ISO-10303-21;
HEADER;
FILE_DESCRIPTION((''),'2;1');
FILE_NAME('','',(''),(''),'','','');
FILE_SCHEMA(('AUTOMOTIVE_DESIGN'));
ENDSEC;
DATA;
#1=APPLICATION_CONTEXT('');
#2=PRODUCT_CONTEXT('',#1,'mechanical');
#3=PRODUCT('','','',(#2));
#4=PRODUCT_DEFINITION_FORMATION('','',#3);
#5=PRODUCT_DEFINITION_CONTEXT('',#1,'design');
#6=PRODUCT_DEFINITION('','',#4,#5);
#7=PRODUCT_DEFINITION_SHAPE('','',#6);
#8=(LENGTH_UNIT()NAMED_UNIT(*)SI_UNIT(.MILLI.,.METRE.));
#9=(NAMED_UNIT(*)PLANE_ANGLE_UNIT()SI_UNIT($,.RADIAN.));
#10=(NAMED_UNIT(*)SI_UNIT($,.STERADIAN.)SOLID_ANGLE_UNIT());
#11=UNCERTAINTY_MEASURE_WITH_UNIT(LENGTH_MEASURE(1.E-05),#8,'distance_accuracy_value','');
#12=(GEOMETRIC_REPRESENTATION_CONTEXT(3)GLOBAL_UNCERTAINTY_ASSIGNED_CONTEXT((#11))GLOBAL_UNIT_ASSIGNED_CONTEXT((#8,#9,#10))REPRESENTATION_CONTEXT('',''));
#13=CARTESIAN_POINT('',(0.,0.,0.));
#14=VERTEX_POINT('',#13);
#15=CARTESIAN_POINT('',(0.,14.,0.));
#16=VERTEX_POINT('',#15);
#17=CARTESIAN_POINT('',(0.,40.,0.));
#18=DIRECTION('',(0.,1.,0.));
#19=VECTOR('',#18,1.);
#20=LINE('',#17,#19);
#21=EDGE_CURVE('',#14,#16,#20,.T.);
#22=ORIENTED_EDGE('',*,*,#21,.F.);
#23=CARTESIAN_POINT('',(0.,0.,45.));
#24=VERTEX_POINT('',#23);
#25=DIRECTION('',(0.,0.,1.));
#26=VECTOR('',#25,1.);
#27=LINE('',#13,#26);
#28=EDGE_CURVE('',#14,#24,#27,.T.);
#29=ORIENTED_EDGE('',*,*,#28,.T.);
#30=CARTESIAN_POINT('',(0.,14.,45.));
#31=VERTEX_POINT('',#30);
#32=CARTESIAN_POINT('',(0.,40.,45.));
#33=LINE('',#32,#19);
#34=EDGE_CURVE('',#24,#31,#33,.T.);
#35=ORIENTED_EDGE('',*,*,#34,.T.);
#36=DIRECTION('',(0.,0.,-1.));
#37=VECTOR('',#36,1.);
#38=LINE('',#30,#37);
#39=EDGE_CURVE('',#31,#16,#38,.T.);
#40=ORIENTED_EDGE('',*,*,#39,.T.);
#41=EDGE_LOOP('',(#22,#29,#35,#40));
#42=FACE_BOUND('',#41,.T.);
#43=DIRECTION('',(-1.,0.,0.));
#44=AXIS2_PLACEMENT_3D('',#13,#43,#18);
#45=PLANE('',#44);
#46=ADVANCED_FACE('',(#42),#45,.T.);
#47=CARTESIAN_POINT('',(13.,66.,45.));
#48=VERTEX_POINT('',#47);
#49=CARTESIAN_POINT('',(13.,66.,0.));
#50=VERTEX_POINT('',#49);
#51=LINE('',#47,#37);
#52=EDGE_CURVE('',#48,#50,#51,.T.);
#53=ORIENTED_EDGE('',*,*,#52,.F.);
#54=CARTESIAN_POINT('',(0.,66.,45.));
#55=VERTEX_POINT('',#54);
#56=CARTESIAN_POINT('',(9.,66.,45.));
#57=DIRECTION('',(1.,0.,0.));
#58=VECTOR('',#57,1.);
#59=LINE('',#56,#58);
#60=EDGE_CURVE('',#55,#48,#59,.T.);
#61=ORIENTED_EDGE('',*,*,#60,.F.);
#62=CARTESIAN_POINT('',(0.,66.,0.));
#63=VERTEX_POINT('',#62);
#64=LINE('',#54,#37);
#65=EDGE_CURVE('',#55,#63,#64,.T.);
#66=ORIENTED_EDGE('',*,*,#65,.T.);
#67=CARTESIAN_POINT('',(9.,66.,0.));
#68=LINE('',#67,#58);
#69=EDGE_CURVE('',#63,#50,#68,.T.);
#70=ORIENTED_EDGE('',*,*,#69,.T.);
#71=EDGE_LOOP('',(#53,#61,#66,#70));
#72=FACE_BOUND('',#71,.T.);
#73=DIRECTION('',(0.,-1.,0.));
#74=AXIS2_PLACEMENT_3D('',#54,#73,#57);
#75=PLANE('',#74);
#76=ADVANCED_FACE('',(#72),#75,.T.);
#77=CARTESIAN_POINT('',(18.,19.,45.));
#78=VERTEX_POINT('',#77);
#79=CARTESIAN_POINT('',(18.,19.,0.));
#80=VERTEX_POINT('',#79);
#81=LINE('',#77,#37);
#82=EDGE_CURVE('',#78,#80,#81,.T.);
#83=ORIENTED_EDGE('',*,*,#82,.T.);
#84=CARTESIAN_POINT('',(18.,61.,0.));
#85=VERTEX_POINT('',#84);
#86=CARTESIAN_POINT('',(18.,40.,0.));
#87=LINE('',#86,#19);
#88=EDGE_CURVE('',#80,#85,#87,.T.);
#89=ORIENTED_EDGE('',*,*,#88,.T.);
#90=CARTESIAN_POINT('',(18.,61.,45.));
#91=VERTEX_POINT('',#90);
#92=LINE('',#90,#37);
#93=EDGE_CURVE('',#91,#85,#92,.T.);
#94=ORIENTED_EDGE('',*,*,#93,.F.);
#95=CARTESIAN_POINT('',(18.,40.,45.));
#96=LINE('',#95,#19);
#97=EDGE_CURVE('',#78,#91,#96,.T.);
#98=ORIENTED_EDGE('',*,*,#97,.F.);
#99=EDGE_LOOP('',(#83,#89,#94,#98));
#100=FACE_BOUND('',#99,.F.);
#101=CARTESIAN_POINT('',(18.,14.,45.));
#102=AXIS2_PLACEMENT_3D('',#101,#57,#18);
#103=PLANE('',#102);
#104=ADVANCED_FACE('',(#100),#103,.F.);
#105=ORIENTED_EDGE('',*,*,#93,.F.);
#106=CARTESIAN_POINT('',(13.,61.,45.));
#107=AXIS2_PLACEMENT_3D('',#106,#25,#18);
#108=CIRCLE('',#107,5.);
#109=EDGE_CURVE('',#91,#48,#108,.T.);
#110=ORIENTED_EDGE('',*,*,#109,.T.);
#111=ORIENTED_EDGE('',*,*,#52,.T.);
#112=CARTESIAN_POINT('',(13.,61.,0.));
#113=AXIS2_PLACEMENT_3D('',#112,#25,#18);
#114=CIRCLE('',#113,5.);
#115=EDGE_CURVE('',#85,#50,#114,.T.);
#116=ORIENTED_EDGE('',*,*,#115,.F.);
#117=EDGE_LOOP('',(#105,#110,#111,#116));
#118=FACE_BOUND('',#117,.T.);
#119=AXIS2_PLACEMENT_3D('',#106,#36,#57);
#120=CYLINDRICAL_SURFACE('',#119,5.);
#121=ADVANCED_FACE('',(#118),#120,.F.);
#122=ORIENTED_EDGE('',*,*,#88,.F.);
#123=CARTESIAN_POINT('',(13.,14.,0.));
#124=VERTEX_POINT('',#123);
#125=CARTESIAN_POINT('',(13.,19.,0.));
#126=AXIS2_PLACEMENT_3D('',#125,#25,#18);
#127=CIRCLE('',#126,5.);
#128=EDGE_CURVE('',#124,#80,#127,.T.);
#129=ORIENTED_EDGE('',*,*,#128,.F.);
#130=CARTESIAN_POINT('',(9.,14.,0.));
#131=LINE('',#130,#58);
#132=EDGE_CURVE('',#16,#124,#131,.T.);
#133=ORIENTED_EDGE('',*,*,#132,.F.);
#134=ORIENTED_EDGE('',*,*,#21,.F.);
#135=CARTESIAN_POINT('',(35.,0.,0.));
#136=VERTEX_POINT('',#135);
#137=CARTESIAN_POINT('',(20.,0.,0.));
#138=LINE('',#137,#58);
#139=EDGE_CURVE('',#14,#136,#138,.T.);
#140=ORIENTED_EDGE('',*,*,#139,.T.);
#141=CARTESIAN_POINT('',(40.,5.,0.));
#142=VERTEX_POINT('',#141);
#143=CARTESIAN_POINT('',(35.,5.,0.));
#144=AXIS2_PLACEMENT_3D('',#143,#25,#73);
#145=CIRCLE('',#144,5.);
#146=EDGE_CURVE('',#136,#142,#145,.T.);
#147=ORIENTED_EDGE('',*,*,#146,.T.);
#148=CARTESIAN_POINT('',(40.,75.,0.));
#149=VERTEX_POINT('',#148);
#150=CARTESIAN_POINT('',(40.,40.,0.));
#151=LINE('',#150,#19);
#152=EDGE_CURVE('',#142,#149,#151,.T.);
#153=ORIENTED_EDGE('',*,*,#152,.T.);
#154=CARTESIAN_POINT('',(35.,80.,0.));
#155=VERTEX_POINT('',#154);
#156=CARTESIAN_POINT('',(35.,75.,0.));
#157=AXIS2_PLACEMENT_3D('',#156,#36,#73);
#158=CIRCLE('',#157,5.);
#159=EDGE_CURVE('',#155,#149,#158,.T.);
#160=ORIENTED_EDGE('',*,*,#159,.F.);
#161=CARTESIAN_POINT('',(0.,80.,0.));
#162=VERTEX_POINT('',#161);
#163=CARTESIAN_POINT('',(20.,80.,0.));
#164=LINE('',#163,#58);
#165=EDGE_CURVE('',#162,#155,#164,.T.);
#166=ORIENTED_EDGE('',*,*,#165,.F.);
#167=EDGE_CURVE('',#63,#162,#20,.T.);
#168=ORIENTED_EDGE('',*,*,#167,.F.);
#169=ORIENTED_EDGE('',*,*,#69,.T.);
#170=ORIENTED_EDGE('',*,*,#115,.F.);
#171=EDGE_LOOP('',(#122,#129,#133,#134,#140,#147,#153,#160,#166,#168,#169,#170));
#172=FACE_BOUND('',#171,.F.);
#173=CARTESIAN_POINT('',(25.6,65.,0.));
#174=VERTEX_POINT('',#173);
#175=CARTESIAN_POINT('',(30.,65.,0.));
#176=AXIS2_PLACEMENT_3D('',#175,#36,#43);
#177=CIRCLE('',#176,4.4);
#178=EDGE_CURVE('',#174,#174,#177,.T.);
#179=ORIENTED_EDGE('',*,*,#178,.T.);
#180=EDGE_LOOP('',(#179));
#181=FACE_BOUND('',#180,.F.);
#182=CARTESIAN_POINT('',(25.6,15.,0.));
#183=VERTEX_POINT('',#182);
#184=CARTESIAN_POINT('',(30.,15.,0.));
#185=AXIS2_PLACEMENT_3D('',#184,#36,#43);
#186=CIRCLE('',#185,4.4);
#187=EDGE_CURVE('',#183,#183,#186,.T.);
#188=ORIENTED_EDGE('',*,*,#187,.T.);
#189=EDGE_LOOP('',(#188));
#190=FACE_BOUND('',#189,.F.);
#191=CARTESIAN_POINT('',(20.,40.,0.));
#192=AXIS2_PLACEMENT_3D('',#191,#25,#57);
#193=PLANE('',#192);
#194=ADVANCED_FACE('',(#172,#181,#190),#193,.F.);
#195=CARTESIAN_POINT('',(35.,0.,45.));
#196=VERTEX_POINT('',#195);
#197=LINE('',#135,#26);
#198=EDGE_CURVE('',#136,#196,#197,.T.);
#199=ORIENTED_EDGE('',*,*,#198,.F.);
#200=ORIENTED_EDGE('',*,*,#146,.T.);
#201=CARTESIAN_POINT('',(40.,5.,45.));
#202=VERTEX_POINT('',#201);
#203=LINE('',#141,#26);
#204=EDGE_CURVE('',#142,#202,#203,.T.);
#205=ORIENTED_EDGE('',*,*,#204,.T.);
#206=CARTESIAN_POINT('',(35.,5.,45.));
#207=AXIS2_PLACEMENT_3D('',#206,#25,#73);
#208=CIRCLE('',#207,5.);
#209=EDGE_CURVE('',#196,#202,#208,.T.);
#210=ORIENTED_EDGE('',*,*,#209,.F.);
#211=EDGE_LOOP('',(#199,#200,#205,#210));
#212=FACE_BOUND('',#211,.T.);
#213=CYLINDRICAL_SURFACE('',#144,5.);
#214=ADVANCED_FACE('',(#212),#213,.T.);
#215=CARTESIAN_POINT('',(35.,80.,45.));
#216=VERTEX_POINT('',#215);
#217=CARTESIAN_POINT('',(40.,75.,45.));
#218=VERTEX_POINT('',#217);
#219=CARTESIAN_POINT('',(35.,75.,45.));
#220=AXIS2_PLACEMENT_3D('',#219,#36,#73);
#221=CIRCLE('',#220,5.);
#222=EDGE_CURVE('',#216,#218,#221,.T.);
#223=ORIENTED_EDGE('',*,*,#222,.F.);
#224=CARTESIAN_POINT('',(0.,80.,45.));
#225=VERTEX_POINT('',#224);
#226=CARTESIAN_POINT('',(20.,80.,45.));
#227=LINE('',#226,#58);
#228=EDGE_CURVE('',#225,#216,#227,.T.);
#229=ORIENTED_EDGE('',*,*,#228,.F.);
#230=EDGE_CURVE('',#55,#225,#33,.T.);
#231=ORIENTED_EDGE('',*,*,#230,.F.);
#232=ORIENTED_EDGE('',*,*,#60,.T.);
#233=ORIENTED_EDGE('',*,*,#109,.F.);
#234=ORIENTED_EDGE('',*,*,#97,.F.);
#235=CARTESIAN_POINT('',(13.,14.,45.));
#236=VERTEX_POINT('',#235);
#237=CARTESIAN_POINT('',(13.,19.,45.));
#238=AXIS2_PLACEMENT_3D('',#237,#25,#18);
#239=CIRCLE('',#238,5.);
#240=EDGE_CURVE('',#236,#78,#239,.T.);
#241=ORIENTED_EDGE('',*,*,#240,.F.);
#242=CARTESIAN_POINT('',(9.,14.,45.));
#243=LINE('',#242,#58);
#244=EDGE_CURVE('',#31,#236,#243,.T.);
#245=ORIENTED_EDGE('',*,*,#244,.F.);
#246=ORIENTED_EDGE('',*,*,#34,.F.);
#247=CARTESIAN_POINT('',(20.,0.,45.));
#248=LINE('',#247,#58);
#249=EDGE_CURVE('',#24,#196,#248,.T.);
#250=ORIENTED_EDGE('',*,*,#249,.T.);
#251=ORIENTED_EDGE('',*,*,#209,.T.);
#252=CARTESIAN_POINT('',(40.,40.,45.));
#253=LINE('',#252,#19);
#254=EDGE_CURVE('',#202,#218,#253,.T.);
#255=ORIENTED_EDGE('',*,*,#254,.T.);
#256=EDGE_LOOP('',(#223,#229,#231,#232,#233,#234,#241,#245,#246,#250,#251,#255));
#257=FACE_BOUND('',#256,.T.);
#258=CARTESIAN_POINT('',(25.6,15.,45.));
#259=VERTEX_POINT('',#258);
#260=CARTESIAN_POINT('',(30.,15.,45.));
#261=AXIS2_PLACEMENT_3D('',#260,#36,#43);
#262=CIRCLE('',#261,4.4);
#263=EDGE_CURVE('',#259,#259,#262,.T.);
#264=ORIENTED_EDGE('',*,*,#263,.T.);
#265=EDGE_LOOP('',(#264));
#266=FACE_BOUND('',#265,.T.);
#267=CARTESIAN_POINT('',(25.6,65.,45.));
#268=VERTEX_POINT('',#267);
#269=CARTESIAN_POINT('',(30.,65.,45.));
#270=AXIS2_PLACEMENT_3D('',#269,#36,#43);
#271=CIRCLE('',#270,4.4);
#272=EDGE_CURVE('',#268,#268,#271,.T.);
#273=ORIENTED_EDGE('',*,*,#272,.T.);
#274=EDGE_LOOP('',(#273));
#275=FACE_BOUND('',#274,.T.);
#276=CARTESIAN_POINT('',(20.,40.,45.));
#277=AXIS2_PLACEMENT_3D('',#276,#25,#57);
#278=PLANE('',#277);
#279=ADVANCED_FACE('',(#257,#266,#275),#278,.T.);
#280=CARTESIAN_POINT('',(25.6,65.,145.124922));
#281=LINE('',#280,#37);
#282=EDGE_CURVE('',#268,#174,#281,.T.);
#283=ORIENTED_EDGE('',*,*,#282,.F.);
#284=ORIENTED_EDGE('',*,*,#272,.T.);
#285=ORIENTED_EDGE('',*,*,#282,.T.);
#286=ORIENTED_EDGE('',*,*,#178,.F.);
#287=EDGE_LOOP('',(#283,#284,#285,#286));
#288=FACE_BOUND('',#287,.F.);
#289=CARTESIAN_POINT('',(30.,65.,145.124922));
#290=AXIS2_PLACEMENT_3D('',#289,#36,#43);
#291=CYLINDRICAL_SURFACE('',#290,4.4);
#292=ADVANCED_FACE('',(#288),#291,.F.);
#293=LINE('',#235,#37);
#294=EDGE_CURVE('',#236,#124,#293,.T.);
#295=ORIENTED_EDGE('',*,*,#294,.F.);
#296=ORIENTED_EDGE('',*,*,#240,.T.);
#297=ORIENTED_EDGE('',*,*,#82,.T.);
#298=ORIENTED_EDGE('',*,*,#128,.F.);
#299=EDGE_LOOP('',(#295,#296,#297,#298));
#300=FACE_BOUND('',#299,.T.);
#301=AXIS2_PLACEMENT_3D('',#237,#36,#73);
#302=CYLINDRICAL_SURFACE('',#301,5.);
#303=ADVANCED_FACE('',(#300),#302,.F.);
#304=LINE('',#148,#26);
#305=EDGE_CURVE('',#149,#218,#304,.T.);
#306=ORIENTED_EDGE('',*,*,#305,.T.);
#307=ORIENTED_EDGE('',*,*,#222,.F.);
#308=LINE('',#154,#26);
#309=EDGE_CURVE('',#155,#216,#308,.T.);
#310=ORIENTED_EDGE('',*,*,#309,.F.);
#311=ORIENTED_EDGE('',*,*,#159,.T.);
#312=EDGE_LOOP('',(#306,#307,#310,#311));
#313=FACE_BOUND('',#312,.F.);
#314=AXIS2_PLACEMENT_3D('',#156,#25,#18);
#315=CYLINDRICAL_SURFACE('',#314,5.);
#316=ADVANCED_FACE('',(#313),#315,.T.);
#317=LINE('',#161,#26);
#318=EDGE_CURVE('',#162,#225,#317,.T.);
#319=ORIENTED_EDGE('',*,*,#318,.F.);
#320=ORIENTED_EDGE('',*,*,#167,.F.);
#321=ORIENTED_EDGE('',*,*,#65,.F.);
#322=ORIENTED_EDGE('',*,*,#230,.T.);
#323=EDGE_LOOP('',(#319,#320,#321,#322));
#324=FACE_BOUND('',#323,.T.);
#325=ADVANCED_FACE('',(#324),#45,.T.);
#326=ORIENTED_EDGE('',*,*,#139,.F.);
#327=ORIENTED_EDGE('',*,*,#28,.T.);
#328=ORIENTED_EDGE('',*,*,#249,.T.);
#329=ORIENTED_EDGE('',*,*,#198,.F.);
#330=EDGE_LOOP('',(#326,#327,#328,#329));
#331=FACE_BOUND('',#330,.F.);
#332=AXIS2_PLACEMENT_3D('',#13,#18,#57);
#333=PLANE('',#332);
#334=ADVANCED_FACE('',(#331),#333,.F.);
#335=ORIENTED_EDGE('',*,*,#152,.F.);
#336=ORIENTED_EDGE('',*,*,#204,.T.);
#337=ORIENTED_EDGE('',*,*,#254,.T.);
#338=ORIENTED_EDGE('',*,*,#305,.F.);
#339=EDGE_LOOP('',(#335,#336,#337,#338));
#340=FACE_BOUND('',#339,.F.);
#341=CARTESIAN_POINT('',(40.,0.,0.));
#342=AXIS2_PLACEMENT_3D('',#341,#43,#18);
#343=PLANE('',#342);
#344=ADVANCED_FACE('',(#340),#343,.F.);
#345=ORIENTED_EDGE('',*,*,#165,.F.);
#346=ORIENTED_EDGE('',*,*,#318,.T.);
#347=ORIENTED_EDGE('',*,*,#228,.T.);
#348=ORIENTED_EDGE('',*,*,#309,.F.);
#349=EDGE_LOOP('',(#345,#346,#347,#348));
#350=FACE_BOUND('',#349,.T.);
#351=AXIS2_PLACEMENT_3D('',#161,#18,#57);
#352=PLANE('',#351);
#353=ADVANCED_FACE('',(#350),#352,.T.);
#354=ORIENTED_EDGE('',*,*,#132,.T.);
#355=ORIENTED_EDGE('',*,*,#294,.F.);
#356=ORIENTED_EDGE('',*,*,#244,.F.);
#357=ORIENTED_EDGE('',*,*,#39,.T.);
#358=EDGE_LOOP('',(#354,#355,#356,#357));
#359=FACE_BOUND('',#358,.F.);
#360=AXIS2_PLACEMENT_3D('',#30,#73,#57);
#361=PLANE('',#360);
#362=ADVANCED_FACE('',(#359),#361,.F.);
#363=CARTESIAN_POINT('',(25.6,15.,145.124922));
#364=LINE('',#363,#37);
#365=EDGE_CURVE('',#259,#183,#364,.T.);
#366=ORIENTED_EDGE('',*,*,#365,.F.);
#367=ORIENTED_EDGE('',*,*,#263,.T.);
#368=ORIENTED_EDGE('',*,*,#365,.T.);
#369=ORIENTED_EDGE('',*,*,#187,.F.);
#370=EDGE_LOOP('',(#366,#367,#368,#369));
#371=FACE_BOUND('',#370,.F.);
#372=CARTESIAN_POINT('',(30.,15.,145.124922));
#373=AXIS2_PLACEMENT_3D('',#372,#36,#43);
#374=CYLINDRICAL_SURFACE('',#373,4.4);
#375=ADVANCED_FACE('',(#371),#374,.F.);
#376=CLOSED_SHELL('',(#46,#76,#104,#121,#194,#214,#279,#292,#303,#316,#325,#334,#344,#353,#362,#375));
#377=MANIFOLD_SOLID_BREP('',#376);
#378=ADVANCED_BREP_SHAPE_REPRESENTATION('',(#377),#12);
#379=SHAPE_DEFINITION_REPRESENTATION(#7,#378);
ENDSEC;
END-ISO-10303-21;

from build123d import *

# Parameters (mm, degrees)
F0_W     = 40
F0_H     = 80
F1_DEPTH = 45
F3_D     = 8.8
F4_W     = 18
F4_H     = 52
F5_DEPTH = 45
F6_R     = 5


with BuildPart() as f1:
    # F0 (on Top) → F1 (new body)
    with BuildSketch(Plane.XY):
        with Locations((20, 40)):
            Rectangle(F0_W, F0_H)
    extrude(amount=F1_DEPTH)

    # F3 (through all)
    with Locations(Plane.XY.offset(45)):
        with Locations((30, 65), (30, 15)):
            Hole(F3_D / 2)

    # F4 (on face) → F5 (cut, through all)
    with BuildSketch(Plane.XY.offset(45)):
        with Locations((9, 40)):
            Rectangle(F4_W, F4_H)
    extrude(amount=-F5_DEPTH, mode=Mode.SUBTRACT)

    # F6
    f6_edges = [f1.edges().sort_by_distance(p)[0] for p in [
        (40, 0, 22.5),
        (40, 80, 22.5),
        (18, 14, 22.5),
        (18, 66, 22.5),
    ]]
    fillet(f6_edges, radius=F6_R)


solid = f1.part
